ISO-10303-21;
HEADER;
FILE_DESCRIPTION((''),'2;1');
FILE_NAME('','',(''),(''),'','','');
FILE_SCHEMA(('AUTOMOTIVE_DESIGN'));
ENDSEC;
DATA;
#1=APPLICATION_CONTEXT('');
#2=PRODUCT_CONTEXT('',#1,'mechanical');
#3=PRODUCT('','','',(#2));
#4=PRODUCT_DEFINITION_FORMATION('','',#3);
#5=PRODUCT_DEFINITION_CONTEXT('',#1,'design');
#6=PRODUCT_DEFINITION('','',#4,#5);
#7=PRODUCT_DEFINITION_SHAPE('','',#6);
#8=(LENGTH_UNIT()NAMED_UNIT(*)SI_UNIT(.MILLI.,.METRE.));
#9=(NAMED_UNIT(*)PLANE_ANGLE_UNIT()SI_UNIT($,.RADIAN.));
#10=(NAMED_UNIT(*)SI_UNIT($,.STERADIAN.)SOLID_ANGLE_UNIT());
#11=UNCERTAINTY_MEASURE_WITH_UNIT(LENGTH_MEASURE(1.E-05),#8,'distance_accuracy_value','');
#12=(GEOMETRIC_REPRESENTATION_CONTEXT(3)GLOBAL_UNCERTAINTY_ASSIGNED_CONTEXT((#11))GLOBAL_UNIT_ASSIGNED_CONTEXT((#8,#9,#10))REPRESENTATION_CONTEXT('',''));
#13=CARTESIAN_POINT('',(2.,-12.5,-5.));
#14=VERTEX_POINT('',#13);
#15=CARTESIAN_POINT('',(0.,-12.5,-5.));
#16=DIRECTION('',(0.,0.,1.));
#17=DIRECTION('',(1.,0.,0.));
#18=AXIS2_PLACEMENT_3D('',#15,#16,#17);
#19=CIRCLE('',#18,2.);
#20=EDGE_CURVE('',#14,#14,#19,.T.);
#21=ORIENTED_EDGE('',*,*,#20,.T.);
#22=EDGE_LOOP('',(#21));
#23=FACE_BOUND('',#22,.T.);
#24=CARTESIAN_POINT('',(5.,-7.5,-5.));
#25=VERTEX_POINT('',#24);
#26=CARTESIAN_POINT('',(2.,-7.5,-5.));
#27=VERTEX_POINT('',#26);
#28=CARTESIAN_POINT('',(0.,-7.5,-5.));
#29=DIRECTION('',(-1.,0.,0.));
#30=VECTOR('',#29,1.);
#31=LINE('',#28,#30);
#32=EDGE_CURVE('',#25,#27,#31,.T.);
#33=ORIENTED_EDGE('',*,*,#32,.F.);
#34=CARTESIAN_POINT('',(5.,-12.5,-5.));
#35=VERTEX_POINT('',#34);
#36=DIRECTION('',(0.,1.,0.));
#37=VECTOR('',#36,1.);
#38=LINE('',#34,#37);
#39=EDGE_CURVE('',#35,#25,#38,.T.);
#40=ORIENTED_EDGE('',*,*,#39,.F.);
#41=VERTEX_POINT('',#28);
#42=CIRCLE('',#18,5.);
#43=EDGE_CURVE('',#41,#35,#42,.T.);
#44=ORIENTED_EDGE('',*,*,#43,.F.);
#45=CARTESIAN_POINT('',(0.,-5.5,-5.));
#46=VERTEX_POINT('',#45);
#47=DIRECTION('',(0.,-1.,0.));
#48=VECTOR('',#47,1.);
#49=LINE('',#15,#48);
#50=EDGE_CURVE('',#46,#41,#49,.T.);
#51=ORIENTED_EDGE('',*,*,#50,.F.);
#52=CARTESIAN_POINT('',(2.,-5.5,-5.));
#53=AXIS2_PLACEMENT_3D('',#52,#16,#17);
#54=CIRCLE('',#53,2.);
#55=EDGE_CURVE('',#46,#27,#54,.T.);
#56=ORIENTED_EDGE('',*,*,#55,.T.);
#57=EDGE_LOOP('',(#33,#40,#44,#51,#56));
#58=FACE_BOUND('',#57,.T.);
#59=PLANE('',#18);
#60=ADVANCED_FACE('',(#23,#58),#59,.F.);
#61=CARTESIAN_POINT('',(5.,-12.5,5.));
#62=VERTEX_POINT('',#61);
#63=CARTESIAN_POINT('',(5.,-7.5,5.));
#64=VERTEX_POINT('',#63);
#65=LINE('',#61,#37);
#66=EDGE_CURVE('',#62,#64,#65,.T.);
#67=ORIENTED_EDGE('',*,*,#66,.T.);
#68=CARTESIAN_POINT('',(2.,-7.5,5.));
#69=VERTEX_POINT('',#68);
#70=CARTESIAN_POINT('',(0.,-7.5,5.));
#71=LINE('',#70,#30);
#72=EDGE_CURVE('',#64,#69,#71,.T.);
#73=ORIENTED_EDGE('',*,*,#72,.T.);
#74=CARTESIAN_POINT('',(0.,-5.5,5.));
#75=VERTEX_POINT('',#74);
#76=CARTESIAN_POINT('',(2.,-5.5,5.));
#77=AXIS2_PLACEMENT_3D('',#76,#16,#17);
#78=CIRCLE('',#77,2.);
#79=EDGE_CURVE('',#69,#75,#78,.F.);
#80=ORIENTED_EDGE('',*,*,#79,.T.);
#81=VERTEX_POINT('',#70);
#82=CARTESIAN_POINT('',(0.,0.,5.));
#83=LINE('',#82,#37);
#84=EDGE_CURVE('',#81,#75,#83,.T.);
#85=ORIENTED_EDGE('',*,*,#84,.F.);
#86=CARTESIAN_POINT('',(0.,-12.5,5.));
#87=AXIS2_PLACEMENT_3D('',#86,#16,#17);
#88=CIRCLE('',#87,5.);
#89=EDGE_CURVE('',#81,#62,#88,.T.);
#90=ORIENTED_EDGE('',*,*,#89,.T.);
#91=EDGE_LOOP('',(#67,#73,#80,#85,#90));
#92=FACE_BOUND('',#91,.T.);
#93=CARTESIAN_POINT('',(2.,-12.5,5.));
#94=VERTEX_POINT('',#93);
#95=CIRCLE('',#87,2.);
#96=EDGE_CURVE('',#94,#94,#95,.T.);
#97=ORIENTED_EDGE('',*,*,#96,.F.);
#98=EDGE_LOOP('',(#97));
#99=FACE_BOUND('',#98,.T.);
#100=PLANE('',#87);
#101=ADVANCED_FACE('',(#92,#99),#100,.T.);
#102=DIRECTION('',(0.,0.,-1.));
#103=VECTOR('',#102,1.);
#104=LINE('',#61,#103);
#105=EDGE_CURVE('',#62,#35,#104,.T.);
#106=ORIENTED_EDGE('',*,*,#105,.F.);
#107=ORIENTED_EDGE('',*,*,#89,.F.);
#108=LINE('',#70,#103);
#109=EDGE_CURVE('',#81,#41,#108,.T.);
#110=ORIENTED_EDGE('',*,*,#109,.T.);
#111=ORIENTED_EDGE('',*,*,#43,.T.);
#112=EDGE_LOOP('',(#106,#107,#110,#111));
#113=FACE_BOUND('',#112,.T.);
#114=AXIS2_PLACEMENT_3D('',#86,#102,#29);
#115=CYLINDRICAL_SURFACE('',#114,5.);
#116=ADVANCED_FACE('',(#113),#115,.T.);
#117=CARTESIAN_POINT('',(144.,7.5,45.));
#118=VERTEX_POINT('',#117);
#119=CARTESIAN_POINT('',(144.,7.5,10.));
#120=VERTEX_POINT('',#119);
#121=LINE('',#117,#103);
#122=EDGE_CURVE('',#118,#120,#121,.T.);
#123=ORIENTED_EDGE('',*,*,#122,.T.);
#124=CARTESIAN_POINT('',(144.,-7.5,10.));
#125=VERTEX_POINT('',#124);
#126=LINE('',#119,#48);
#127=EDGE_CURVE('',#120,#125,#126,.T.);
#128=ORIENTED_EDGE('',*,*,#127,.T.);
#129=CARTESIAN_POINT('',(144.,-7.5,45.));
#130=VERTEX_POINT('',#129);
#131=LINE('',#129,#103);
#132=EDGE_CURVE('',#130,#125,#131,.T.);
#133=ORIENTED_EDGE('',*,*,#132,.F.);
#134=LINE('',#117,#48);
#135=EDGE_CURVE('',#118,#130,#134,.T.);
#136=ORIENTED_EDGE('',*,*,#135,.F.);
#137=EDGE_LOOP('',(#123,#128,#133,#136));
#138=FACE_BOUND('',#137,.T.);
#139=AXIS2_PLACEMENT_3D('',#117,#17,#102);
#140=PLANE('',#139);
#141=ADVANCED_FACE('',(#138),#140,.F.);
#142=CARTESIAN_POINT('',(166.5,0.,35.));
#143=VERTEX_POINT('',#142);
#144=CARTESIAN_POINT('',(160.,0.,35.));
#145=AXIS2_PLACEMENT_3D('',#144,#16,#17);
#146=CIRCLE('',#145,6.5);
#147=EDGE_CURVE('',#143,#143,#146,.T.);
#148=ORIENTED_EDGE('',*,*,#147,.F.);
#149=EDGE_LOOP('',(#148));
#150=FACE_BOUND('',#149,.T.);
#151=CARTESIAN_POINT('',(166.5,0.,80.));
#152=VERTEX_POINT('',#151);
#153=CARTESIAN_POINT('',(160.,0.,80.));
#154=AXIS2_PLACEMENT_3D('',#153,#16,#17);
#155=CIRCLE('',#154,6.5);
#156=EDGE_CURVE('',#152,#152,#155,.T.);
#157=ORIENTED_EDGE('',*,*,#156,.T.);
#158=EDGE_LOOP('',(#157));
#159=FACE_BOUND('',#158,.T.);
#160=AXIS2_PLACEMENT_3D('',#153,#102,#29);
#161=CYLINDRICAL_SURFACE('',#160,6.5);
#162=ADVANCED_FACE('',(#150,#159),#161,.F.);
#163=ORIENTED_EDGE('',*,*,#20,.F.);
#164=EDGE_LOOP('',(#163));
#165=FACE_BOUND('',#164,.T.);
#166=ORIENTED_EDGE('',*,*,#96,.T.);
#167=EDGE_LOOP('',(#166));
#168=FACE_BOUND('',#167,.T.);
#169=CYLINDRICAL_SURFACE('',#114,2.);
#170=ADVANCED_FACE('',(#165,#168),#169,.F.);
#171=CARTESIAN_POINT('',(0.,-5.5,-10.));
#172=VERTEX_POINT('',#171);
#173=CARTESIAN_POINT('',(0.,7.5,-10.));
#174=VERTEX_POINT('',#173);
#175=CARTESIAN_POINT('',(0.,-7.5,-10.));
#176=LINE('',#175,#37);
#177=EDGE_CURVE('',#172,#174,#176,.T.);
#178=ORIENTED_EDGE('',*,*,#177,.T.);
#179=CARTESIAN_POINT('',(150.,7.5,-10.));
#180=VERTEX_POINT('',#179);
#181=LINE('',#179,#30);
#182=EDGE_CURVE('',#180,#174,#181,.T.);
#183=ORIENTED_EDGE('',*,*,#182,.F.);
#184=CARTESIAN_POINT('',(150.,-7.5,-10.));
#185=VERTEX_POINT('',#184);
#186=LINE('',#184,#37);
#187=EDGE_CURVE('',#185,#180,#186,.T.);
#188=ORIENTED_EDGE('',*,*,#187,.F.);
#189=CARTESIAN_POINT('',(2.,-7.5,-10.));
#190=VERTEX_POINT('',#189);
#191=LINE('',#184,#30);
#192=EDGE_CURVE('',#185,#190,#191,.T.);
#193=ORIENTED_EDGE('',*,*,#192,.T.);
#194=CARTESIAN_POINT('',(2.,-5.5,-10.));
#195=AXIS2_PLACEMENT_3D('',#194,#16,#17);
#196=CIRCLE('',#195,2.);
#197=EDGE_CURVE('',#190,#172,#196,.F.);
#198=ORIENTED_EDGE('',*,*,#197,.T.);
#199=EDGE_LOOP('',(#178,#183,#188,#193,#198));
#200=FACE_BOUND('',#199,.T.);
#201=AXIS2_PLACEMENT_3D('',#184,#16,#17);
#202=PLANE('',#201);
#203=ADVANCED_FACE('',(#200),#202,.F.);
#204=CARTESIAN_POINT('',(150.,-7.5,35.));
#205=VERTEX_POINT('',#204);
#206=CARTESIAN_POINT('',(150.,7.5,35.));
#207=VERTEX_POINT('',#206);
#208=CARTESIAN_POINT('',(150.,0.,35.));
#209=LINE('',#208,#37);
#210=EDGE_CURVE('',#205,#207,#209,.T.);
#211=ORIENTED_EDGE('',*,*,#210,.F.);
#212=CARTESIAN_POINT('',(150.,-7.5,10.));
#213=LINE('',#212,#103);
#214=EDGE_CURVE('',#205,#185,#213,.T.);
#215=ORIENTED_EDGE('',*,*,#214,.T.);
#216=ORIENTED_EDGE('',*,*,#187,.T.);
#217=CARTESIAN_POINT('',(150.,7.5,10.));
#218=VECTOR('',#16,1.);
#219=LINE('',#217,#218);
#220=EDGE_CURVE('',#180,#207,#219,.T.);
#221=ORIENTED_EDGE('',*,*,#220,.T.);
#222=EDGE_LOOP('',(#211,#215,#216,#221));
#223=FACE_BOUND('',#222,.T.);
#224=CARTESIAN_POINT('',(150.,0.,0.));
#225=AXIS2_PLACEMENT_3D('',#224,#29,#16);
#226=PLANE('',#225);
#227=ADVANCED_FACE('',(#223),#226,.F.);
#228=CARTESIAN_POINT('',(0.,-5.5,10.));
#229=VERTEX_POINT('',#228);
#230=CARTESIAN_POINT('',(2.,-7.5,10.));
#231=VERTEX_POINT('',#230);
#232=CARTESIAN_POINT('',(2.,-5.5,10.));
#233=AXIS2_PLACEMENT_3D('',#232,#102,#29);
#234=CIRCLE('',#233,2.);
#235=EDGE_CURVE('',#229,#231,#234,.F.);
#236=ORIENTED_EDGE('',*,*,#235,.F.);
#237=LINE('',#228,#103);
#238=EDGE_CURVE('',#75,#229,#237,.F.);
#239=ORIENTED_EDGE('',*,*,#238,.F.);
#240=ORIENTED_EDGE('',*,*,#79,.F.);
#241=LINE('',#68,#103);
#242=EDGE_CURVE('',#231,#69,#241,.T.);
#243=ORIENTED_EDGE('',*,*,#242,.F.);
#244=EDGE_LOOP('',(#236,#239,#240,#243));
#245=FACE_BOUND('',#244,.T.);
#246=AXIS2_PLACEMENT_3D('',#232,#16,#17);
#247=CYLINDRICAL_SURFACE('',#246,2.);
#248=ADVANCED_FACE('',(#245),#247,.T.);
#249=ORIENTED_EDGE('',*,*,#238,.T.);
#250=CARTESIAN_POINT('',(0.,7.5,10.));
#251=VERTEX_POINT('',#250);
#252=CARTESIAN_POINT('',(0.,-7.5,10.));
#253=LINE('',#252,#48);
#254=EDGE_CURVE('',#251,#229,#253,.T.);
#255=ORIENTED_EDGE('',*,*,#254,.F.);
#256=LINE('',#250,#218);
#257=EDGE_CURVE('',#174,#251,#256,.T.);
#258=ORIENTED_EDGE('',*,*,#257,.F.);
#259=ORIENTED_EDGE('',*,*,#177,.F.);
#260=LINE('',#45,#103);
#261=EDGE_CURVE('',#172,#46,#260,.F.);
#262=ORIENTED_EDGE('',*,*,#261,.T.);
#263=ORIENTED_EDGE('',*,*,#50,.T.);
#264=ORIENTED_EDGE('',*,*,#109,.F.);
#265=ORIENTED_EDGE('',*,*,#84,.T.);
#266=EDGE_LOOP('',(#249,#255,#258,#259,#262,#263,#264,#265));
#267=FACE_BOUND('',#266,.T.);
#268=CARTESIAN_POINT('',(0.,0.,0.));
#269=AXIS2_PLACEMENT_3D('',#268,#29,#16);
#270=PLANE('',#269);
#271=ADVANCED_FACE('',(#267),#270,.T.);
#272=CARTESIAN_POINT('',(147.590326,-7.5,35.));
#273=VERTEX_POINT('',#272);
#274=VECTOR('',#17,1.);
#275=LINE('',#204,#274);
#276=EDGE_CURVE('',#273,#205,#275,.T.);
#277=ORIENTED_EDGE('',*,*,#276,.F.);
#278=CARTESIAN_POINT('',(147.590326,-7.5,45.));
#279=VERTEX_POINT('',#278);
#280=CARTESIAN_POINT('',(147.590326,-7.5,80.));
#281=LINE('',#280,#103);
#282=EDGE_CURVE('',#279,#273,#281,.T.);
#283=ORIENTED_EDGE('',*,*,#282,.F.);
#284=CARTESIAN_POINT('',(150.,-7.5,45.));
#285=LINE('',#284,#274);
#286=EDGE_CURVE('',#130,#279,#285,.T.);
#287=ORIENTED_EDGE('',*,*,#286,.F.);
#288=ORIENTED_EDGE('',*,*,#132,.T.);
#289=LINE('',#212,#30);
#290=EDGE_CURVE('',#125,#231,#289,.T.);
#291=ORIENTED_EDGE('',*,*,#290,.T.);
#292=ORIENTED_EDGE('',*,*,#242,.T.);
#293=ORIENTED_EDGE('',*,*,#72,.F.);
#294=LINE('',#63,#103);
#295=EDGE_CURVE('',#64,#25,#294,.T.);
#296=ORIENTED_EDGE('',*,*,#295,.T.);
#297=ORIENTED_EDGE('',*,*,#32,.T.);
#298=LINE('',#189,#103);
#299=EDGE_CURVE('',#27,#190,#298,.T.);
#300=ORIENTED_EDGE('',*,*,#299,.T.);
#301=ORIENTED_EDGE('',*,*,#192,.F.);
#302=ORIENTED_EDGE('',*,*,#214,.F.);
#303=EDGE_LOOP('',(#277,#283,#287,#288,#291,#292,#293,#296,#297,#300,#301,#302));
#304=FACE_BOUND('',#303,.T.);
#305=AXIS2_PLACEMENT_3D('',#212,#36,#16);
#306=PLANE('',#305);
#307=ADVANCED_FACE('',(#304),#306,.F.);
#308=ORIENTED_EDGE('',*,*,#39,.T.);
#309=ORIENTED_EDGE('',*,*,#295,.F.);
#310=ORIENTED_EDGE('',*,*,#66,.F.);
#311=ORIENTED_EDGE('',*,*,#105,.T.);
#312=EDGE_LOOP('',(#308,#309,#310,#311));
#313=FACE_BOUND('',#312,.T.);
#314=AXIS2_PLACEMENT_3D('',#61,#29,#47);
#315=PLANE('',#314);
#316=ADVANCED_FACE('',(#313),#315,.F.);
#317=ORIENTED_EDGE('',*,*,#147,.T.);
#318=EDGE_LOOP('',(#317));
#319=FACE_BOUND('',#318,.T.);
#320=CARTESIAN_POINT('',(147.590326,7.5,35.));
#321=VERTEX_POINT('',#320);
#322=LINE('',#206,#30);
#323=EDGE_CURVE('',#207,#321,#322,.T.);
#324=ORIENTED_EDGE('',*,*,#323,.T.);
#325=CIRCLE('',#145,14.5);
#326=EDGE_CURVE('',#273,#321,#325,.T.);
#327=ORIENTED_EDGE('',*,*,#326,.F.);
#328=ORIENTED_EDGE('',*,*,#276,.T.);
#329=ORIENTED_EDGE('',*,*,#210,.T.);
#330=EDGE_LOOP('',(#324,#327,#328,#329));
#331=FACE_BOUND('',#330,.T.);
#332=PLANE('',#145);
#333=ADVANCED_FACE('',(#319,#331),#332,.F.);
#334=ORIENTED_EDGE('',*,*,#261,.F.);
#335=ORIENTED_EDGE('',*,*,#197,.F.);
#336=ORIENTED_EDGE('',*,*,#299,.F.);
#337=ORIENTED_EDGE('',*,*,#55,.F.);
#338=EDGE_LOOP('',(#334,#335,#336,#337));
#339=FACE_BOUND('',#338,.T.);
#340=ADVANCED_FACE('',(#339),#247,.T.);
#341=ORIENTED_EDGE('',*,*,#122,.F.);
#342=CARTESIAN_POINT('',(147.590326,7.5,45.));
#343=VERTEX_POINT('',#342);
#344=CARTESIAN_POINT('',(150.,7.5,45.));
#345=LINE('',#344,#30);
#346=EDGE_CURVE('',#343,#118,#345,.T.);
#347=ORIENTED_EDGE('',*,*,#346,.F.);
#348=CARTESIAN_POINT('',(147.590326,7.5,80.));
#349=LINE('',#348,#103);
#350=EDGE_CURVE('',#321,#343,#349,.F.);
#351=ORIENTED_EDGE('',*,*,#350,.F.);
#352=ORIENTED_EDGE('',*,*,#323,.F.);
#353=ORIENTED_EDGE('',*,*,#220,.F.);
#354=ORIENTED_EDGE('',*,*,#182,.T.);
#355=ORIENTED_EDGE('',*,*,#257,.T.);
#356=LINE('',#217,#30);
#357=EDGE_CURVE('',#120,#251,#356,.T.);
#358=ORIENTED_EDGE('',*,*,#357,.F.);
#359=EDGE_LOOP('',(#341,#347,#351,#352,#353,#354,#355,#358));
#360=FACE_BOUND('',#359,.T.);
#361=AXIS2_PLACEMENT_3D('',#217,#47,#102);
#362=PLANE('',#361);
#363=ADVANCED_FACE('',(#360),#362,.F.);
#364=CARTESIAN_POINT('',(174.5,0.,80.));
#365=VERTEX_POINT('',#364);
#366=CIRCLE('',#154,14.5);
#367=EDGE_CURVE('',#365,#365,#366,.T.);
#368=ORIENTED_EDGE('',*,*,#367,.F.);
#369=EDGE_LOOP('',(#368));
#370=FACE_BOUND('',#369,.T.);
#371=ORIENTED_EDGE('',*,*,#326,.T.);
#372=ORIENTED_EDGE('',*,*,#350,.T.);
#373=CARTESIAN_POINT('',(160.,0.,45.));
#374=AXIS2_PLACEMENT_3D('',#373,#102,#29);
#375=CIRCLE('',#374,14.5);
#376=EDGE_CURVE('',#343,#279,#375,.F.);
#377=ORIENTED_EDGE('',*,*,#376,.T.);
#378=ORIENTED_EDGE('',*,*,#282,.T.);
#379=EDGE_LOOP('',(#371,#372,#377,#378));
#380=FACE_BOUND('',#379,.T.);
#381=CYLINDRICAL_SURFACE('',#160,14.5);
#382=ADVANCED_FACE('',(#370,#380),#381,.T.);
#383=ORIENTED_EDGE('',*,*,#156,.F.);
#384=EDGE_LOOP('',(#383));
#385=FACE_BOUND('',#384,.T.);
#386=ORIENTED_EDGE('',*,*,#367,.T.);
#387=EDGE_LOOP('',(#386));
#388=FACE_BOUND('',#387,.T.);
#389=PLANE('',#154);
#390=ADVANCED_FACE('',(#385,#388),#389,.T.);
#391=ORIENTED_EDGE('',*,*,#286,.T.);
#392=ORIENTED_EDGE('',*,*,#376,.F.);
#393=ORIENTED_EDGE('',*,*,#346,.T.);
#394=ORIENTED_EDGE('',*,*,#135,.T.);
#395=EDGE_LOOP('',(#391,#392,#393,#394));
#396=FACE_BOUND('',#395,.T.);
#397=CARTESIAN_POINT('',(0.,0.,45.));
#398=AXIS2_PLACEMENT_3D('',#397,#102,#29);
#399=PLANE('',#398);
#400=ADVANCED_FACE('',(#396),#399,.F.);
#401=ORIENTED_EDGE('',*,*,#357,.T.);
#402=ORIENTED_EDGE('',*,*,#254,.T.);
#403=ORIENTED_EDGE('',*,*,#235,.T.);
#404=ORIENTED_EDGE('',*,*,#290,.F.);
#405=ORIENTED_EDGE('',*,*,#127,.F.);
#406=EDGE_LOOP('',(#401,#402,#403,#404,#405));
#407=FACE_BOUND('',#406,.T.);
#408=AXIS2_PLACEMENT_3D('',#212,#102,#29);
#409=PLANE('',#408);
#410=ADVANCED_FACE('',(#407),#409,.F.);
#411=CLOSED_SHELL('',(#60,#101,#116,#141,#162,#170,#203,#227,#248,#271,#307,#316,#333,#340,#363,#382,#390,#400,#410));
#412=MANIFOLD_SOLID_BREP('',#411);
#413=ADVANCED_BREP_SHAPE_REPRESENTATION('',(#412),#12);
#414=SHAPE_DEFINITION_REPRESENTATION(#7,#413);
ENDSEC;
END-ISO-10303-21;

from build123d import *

# Parameters (mm, degrees)
SKETCH4_W                = 20
SKETCH4_H                = 15
BOSS_EXTRUDE1_DEPTH      = 150
SKETCH5_W                = 6
SKETCH5_H                = 15
BOSS_EXTRUDE2_DEPTH      = 35
SKETCH6_R                = 14.5
SKETCH6_R_2              = 6.5
BOSS_EXTRUDE3_DEPTH      = 35
BOSS_EXTRUDE3_DEPTH_BACK = 10
SKETCH7_R                = 2
BOSS_EXTRUDE4_DEPTH      = 5
FILLET1_R                = 2


with BuildPart() as part:
    # Sketch4 → Boss-Extrude1 (new body)
    with BuildSketch(Plane(origin=(0, 0, 0), x_dir=(0, 0, -1), z_dir=(1, 0, 0))):
        Rectangle(SKETCH4_W, SKETCH4_H)
    extrude(amount=BOSS_EXTRUDE1_DEPTH)

    # Sketch5 → Boss-Extrude2 (add)
    with BuildSketch(Plane.XY.offset(10)):
        with Locations((147, 0)):
            Rectangle(SKETCH5_W, SKETCH5_H)
    extrude(amount=BOSS_EXTRUDE2_DEPTH)

    # Sketch6 → Boss-Extrude3 (add, two sides)
    with BuildSketch(Plane.XY.offset(45)) as boss_extrude3_sk:
        with Locations((160, 0)):
            Circle(SKETCH6_R)
        with Locations((160, 0)):
            Circle(SKETCH6_R_2, mode=Mode.SUBTRACT)
    extrude(amount=BOSS_EXTRUDE3_DEPTH)
    extrude(boss_extrude3_sk.sketch, amount=-BOSS_EXTRUDE3_DEPTH_BACK)

    # Sketch7 → Boss-Extrude4 (add, symmetric)
    with BuildSketch(Plane.XY):
        with BuildLine():
            Line((5, -12.5), (5, -7.5))
            Line((5, -7.5), (0, -7.5))
            ThreePointArc((0, -7.5), (-3.535533906, -16.035533906), (5, -12.5))
        make_face()
        with Locations((0, -12.5)):
            Circle(SKETCH7_R, mode=Mode.SUBTRACT)
    extrude(amount=BOSS_EXTRUDE4_DEPTH, both=True)

    # Fillet1
    fillet1_edges = [part.edges().sort_by_distance(p)[0] for p in [
        (0, -7.5, -7.5),
        (0, -7.5, 7.5),
    ]]
    fillet(fillet1_edges, radius=FILLET1_R)


solid = part.part
